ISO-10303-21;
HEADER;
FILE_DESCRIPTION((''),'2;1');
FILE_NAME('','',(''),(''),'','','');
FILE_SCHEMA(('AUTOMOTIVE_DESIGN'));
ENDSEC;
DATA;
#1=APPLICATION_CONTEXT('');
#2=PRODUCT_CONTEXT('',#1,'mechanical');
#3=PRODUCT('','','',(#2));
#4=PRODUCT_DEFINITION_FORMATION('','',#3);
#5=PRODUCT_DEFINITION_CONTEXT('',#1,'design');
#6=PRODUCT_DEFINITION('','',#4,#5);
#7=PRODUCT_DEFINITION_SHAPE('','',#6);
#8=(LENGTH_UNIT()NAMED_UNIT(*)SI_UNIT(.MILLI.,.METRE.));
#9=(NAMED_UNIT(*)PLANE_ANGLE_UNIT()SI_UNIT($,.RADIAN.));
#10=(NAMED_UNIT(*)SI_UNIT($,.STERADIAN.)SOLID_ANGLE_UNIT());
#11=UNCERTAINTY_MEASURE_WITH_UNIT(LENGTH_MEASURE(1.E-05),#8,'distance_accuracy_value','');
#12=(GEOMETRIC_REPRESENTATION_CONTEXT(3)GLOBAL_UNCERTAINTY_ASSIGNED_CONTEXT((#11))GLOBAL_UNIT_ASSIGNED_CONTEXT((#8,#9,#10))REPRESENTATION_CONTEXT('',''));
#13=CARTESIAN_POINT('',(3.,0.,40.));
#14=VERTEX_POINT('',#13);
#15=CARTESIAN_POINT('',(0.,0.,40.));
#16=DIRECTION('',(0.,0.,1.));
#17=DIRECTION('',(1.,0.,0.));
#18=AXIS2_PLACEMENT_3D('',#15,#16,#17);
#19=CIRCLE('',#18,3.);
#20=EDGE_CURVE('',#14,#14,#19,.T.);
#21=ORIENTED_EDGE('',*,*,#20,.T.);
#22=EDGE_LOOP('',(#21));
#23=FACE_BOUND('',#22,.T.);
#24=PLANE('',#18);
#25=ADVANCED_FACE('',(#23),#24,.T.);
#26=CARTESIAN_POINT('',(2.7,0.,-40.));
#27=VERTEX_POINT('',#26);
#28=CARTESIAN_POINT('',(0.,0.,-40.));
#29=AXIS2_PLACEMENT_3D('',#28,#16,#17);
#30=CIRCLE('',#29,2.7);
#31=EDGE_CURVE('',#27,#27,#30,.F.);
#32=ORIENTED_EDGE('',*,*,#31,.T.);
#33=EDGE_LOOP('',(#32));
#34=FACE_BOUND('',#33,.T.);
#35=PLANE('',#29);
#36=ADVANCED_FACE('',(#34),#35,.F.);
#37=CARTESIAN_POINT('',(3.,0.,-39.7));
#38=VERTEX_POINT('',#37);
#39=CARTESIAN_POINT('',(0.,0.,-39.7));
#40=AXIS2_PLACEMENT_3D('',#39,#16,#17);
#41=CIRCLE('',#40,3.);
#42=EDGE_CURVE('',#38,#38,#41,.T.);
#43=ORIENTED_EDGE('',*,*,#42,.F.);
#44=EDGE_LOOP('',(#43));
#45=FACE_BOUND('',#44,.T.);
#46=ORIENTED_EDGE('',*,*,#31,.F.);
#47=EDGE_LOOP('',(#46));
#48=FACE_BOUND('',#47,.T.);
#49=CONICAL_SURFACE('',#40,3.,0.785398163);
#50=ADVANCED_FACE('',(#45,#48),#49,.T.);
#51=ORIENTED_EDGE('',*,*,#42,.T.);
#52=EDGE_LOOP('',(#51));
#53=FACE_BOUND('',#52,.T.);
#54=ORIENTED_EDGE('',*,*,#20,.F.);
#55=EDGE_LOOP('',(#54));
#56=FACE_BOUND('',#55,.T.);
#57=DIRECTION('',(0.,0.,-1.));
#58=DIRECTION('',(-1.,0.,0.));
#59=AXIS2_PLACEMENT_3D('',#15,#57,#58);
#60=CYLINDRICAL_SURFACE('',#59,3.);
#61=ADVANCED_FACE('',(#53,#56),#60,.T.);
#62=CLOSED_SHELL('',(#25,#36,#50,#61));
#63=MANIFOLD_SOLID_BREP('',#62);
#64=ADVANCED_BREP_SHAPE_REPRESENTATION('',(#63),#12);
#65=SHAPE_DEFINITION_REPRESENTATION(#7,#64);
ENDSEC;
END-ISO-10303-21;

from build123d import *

# Parameters (mm, degrees)
SKETCH1_R           = 3
BOSS_EXTRUDE1_DEPTH = 40
CHAMFER1_SIZE       = 0.3


with BuildPart() as part:
    # Sketch1 → Boss-Extrude1 (new, symmetric)
    with BuildSketch(Plane.XY):
        Circle(SKETCH1_R)
    extrude(amount=BOSS_EXTRUDE1_DEPTH, both=True)

    # Chamfer1
    chamfer1_edges = [part.edges().sort_by_distance(p)[0] for p in [
        (-3, 0, -40),
    ]]
    chamfer(chamfer1_edges, length=CHAMFER1_SIZE)


solid = part.part
